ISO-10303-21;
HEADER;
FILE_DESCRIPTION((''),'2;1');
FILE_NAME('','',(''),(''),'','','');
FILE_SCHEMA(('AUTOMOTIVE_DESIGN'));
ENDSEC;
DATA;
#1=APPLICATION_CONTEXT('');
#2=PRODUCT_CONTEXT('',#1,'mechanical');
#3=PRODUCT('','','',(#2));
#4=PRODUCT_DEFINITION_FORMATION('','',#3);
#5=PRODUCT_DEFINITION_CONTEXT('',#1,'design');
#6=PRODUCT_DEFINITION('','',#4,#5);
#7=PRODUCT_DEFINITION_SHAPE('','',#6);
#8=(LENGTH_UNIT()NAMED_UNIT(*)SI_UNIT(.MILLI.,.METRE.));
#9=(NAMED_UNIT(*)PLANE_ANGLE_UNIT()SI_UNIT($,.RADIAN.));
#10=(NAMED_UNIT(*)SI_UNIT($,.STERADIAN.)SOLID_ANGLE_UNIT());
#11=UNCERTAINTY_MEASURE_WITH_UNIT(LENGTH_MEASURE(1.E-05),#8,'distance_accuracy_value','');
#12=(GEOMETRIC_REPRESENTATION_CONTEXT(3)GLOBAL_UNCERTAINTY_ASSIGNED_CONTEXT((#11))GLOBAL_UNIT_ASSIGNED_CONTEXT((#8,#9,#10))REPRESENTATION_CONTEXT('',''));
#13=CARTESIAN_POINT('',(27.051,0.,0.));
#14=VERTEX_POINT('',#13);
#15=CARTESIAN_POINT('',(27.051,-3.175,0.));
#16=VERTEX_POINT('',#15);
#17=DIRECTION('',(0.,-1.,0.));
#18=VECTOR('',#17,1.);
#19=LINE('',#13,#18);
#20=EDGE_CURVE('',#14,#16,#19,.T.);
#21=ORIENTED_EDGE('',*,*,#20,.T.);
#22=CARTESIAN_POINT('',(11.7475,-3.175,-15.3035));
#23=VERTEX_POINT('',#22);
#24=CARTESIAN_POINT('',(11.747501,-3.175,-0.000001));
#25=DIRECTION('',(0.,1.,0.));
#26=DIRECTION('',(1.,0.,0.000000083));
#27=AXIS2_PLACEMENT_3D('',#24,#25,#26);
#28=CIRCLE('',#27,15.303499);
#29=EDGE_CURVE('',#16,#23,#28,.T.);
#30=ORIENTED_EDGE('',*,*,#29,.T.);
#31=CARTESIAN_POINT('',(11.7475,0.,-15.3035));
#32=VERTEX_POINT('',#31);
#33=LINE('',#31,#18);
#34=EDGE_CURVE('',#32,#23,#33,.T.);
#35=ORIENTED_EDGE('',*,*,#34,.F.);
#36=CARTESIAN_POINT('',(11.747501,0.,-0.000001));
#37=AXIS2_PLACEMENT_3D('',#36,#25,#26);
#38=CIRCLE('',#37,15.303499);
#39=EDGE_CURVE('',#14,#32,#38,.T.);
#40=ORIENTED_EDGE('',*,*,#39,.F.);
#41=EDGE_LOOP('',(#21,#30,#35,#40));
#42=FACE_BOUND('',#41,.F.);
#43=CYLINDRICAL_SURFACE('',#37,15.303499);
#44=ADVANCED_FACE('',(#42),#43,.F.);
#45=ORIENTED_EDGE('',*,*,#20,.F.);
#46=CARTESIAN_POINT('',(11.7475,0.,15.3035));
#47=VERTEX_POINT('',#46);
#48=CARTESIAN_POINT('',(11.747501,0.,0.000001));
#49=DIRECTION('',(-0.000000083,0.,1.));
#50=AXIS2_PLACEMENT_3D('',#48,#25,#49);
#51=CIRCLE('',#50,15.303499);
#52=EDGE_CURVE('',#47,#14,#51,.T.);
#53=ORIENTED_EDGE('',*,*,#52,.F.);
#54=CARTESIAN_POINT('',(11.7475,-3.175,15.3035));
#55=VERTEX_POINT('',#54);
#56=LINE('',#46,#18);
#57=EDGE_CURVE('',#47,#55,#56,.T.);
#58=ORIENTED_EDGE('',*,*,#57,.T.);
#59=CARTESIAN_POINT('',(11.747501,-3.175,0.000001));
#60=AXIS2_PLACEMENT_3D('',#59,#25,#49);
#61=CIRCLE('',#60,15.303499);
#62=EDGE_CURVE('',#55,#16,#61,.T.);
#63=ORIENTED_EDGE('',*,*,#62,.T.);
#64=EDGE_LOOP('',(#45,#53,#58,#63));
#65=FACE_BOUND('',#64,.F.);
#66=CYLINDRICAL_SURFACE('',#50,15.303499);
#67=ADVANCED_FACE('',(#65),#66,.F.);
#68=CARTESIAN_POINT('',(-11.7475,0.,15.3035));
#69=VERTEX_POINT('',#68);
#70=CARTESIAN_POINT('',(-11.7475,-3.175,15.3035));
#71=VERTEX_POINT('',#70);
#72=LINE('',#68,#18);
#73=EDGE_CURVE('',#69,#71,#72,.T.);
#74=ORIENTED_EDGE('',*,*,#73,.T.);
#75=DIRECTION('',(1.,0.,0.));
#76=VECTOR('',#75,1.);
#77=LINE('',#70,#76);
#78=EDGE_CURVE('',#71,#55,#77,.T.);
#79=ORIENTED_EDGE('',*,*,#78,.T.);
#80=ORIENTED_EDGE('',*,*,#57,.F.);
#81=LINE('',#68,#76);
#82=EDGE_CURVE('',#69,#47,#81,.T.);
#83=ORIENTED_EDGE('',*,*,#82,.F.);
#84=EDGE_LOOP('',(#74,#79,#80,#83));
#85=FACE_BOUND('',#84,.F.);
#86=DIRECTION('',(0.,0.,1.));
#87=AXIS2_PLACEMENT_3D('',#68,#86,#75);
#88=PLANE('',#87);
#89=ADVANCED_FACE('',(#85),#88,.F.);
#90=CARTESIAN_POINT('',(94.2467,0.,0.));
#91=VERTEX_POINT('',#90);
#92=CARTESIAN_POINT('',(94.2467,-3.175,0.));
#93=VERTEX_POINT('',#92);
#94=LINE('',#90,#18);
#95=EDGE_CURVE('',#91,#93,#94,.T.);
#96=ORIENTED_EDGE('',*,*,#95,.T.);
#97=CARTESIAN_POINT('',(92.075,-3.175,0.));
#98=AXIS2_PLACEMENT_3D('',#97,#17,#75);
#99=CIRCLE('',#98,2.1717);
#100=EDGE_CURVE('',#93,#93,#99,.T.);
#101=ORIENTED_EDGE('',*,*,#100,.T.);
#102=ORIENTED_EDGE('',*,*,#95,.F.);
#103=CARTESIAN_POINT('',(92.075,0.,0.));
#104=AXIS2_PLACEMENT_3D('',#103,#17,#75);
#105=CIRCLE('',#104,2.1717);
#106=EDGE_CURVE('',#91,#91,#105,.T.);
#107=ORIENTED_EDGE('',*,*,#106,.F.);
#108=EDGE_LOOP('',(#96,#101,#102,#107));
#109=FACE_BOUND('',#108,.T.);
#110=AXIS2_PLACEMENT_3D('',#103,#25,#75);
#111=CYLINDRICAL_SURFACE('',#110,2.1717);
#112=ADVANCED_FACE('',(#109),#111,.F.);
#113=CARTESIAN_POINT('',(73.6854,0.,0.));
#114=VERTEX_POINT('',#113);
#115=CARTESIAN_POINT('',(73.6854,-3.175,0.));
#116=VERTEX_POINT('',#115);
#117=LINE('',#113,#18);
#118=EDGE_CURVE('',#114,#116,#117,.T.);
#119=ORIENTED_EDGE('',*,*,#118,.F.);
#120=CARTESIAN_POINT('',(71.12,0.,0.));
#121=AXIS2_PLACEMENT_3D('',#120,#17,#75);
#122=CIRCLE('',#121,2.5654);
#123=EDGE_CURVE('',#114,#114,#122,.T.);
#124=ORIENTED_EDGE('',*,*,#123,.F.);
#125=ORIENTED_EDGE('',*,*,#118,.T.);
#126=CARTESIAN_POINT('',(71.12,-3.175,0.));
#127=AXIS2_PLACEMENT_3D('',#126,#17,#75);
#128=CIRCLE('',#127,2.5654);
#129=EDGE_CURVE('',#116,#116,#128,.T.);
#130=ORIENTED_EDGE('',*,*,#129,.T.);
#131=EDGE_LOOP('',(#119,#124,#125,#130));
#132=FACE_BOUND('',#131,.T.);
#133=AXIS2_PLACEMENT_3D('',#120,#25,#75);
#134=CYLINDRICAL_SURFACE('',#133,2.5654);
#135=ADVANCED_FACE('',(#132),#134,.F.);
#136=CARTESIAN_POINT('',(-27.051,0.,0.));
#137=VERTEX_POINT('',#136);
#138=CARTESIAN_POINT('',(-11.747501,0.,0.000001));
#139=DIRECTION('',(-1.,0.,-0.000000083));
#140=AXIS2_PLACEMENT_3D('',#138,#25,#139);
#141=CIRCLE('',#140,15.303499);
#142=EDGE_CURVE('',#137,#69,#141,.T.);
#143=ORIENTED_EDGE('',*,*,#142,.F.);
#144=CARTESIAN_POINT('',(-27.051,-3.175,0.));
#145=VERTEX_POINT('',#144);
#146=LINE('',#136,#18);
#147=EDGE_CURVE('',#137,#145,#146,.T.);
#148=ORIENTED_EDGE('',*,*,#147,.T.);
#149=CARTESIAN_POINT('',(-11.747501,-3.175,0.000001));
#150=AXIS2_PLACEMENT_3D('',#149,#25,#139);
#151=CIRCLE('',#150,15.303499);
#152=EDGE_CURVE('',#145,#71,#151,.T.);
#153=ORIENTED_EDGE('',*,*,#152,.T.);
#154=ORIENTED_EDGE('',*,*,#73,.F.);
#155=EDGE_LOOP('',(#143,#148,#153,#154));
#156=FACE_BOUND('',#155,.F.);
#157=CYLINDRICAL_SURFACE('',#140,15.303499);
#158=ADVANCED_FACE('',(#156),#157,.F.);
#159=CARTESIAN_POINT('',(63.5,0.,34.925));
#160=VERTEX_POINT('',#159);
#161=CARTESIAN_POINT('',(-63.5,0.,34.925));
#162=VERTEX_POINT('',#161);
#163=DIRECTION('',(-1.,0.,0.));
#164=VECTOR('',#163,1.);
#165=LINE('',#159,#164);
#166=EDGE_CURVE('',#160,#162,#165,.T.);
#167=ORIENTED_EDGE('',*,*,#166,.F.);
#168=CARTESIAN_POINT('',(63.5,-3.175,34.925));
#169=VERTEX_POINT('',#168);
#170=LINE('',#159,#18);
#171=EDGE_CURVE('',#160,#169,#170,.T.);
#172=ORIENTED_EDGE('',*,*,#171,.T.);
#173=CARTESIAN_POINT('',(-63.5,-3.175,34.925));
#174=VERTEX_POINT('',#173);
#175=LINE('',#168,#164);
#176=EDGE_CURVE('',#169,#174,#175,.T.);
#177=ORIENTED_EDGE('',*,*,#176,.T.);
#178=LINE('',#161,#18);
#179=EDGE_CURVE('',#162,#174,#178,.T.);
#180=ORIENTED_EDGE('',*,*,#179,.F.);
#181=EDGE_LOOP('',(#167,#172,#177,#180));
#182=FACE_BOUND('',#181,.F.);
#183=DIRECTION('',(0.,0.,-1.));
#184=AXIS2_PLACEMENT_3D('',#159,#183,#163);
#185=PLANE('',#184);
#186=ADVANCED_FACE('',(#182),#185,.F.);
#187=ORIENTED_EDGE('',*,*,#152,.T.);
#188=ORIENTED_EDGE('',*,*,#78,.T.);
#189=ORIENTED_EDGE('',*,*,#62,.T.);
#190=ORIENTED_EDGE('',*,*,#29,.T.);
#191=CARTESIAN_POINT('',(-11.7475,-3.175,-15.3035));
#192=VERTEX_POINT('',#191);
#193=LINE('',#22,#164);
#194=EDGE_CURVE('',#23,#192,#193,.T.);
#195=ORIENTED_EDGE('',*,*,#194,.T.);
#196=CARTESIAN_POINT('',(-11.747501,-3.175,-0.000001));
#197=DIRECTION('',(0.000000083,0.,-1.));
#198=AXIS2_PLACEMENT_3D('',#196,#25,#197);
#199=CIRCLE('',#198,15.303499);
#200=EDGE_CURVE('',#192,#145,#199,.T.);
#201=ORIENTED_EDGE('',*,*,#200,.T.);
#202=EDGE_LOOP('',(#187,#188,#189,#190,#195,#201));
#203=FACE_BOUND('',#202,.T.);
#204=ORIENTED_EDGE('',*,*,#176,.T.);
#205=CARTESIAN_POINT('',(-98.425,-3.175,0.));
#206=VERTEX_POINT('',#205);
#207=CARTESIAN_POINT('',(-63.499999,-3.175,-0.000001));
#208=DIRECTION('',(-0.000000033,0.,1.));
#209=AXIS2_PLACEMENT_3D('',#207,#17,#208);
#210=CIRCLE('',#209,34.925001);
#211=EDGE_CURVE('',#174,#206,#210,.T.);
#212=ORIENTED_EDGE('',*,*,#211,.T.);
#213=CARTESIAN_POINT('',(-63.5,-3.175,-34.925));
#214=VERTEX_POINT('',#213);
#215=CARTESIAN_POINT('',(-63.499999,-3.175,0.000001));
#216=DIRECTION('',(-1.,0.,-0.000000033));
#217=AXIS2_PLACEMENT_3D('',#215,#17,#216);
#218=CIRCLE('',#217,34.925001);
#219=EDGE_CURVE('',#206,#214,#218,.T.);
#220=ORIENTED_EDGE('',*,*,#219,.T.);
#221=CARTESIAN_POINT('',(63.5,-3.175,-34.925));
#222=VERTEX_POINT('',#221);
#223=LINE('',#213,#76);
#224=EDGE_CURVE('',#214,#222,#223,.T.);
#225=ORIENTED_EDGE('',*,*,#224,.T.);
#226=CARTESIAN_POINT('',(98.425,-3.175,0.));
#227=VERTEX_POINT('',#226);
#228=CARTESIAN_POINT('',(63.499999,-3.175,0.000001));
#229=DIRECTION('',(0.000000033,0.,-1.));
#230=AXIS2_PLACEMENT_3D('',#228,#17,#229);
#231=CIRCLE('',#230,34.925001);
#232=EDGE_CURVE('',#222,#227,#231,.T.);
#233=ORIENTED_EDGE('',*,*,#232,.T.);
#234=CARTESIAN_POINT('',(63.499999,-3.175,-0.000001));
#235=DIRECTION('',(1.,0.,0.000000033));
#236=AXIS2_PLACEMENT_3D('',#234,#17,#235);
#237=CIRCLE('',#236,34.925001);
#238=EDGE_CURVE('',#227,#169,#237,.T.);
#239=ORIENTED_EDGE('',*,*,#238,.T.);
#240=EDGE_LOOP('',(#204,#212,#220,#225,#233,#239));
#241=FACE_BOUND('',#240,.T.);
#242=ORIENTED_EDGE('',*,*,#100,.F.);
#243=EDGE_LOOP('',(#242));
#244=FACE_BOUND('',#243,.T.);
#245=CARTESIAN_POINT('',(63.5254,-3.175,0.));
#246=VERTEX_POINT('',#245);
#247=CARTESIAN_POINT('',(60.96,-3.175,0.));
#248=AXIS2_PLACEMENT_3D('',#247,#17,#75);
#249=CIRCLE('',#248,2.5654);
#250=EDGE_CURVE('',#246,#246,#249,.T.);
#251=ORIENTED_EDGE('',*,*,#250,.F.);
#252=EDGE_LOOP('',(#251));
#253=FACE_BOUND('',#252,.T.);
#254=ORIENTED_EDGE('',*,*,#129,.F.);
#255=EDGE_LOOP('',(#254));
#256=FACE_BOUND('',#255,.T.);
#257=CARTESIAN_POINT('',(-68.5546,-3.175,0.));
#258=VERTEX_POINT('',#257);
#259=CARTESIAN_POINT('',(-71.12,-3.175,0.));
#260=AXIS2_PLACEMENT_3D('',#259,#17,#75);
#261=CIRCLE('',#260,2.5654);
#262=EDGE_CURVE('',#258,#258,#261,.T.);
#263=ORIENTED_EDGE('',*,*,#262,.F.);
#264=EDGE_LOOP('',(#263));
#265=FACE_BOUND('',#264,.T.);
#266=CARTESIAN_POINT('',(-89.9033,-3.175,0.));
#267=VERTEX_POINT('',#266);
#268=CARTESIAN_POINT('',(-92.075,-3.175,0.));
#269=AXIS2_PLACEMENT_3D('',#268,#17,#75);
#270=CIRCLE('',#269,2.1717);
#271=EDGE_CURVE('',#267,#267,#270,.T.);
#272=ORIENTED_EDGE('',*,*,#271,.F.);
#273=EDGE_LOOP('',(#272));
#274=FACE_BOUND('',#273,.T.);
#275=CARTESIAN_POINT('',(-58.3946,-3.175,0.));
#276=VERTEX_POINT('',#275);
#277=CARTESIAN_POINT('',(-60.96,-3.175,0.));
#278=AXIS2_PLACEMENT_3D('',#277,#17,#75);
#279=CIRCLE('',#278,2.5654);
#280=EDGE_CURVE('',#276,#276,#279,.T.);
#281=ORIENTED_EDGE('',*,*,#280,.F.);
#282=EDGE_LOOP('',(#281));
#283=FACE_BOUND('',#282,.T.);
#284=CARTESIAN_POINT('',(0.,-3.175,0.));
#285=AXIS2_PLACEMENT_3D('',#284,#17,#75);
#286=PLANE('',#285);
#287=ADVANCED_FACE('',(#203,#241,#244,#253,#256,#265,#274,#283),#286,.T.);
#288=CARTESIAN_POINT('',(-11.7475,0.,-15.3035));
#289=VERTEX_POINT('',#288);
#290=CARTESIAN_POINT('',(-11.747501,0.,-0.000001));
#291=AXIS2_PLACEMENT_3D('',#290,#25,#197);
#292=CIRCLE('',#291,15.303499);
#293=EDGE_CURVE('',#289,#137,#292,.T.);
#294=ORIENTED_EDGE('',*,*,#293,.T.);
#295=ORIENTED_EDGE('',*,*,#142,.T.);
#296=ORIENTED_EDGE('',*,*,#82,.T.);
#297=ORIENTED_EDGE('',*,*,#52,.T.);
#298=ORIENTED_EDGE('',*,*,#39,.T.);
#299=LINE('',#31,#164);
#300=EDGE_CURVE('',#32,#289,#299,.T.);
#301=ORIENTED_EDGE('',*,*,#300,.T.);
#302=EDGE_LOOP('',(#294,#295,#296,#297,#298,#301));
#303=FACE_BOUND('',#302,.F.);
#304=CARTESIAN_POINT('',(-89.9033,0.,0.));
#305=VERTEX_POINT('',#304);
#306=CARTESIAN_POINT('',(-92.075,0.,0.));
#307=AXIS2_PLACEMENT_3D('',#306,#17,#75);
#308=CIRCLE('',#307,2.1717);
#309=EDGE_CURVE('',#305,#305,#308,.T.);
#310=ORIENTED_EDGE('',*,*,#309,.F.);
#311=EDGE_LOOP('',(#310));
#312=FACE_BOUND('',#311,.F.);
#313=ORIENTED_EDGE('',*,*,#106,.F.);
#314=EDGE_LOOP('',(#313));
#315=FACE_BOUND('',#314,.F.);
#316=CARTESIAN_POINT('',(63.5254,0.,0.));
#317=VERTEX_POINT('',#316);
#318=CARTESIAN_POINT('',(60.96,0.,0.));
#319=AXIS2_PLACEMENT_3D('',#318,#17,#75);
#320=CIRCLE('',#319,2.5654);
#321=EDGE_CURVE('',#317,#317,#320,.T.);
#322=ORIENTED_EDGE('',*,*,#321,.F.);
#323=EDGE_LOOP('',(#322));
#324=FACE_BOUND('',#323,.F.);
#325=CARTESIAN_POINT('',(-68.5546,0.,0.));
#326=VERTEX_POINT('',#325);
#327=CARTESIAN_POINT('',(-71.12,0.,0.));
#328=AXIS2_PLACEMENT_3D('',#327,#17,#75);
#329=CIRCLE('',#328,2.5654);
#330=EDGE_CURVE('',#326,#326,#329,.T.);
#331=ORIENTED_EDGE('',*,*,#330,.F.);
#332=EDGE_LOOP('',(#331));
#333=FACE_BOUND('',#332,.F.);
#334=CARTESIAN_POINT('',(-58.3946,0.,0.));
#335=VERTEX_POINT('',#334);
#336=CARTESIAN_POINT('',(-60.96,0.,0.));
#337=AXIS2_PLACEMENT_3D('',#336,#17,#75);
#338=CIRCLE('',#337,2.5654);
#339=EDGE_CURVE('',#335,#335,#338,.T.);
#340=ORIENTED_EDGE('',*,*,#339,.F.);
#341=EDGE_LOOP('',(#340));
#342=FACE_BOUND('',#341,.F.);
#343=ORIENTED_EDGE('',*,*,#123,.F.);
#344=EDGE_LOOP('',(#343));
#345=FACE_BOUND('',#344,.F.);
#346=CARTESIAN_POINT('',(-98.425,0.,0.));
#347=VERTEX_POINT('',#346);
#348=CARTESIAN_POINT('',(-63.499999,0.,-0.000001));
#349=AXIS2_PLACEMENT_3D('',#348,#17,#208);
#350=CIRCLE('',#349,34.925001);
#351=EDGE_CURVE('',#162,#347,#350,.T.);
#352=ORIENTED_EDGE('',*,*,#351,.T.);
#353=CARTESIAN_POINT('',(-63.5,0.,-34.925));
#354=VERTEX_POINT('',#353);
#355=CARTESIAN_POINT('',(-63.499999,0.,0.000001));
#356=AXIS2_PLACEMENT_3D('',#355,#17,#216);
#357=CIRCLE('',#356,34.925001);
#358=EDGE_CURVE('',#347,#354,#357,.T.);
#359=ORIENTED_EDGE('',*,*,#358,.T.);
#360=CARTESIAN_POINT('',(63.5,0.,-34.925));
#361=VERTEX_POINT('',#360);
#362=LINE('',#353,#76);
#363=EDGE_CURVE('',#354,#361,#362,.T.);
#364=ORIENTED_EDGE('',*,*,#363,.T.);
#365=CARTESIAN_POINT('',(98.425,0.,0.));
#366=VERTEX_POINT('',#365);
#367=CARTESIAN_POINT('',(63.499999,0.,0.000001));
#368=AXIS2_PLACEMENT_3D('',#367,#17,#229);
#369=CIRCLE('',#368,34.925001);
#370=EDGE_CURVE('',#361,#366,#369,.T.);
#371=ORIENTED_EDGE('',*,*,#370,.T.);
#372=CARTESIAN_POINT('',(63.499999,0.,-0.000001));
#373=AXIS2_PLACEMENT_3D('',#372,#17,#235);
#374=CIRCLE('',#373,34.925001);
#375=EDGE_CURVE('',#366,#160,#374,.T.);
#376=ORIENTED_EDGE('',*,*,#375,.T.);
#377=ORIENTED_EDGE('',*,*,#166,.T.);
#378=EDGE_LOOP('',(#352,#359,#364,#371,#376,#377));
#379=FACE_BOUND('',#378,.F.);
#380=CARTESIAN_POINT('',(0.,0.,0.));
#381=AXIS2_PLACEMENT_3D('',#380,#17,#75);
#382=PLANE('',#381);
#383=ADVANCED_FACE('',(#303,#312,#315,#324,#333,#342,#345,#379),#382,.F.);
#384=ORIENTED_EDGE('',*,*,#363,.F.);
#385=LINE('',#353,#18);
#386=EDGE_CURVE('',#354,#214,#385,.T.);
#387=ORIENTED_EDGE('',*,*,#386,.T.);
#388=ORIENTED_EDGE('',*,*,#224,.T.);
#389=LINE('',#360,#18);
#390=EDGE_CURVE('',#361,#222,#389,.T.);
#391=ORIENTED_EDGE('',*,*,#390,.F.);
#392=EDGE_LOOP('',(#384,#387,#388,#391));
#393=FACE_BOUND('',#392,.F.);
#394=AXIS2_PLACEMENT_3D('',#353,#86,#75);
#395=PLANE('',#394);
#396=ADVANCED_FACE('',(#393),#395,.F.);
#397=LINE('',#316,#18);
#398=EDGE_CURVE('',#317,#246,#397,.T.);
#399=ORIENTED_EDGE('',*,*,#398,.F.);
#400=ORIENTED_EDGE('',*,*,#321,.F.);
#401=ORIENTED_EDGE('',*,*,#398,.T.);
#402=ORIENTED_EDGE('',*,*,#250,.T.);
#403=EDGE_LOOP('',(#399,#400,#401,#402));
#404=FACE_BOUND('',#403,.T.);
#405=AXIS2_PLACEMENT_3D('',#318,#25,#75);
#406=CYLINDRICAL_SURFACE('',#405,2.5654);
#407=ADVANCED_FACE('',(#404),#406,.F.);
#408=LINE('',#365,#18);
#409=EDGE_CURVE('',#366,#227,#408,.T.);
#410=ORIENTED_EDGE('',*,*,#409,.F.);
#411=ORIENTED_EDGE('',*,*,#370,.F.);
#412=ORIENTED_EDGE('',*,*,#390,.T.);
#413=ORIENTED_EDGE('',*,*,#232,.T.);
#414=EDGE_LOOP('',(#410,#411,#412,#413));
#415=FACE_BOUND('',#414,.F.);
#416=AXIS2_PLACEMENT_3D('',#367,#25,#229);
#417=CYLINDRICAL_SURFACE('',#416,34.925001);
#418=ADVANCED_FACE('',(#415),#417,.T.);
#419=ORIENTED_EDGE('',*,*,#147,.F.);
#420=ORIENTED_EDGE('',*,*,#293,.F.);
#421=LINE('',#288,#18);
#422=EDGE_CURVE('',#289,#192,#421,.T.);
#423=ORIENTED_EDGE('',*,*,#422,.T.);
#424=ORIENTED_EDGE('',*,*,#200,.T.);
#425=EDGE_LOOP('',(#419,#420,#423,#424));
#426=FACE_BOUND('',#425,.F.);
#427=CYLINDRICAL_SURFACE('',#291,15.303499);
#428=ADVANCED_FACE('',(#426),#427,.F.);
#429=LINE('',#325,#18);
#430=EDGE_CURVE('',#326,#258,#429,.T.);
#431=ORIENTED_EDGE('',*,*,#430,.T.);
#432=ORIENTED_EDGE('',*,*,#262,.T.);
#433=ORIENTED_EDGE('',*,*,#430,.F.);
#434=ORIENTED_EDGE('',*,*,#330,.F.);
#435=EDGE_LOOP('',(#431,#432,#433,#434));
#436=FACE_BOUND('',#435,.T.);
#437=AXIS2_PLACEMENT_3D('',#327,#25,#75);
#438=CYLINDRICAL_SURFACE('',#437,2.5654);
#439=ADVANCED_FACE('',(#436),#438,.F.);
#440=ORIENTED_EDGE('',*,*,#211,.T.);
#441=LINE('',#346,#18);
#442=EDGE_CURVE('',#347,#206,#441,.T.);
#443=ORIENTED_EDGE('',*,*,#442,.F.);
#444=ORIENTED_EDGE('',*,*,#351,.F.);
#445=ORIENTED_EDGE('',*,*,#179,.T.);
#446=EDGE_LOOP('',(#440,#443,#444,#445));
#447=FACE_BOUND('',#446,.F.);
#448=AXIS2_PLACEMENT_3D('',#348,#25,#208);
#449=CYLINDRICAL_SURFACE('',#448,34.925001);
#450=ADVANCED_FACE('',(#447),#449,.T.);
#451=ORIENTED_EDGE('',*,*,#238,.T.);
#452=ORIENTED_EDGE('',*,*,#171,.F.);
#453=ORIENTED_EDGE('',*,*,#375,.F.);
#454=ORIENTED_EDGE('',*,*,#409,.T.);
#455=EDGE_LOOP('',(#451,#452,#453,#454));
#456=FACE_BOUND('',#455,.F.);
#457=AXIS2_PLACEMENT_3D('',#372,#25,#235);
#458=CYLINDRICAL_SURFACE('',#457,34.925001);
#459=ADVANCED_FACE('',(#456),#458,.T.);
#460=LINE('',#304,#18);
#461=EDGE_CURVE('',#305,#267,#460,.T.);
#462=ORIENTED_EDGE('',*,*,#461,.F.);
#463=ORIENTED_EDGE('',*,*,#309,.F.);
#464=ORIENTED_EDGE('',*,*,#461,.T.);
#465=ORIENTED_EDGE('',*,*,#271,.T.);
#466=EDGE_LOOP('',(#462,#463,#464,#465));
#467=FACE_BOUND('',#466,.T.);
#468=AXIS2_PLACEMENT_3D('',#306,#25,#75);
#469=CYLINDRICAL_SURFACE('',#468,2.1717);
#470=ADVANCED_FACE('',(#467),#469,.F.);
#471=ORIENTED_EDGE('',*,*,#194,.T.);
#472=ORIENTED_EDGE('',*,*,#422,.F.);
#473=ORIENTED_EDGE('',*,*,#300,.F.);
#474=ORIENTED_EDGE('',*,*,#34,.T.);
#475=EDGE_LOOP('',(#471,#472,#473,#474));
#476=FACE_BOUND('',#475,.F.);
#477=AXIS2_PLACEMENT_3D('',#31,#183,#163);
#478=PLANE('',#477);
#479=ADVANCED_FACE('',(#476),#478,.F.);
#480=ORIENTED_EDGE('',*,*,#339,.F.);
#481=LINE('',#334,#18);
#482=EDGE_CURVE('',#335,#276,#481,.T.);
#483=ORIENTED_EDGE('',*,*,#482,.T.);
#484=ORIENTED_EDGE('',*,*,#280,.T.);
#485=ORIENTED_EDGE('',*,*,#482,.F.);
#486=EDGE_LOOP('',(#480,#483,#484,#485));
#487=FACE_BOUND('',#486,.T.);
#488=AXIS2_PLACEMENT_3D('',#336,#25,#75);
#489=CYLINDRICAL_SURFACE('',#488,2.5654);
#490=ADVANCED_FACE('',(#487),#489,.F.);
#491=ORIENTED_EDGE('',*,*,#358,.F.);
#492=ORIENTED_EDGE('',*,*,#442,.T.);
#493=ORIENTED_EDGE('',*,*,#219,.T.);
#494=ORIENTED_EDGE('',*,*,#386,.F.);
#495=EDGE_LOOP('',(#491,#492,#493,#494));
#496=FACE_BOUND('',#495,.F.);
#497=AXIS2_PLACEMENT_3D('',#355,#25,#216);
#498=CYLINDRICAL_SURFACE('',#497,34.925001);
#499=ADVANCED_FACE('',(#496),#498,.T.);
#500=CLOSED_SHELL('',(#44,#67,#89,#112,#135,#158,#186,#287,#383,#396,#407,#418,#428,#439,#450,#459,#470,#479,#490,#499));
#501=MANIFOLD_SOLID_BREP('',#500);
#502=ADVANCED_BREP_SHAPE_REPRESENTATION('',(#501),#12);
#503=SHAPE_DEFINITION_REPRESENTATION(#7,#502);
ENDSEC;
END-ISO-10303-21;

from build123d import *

# Parameters (mm, degrees)
F0_R     = 2.1717
F0_R_2   = 2.5654
F1_DEPTH = 3.175


with BuildPart() as f1:
    # F0 (on Front) → F1 (new body)
    with BuildSketch(Plane.XZ):
        with BuildLine():
            Line((63.5, 34.925), (-63.5, 34.925))
            ThreePointArc((-63.5, 34.925), (-88.195704, 24.695704), (-98.425, 0))
            ThreePointArc((-98.425, 0), (-88.195704, -24.695704), (-63.5, -34.925))
            Line((-63.5, -34.925), (63.5, -34.925))
            ThreePointArc((63.5, -34.925), (88.195704, -24.695704), (98.425, 0))
            ThreePointArc((98.425, 0), (88.195704, 24.695704), (63.5, 34.925))
        make_face()
        with Locations((-92.075, 0)):
            Circle(F0_R, mode=Mode.SUBTRACT)
        with Locations((-71.12, 0)):
            Circle(F0_R_2, mode=Mode.SUBTRACT)
        with Locations((-60.96, 0)):
            Circle(F0_R_2, mode=Mode.SUBTRACT)
        with BuildLine():
            ThreePointArc((-27.051, 0), (-22.568709, 10.821209), (-11.7475, 15.3035))
            Line((-11.7475, 15.3035), (11.7475, 15.3035))
            ThreePointArc((11.7475, 15.3035), (22.568709, 10.821209), (27.051, 0))
            ThreePointArc((27.051, 0), (22.568709, -10.821209), (11.7475, -15.3035))
            Line((11.7475, -15.3035), (-11.7475, -15.3035))
            ThreePointArc((-11.7475, -15.3035), (-22.568709, -10.821209), (-27.051, 0))
        make_face(mode=Mode.SUBTRACT)
        with Locations((60.96, 0)):
            Circle(F0_R_2, mode=Mode.SUBTRACT)
        with Locations((71.12, 0)):
            Circle(F0_R_2, mode=Mode.SUBTRACT)
        with Locations((92.075, 0)):
            Circle(F0_R, mode=Mode.SUBTRACT)
    extrude(amount=F1_DEPTH)


solid = f1.part
